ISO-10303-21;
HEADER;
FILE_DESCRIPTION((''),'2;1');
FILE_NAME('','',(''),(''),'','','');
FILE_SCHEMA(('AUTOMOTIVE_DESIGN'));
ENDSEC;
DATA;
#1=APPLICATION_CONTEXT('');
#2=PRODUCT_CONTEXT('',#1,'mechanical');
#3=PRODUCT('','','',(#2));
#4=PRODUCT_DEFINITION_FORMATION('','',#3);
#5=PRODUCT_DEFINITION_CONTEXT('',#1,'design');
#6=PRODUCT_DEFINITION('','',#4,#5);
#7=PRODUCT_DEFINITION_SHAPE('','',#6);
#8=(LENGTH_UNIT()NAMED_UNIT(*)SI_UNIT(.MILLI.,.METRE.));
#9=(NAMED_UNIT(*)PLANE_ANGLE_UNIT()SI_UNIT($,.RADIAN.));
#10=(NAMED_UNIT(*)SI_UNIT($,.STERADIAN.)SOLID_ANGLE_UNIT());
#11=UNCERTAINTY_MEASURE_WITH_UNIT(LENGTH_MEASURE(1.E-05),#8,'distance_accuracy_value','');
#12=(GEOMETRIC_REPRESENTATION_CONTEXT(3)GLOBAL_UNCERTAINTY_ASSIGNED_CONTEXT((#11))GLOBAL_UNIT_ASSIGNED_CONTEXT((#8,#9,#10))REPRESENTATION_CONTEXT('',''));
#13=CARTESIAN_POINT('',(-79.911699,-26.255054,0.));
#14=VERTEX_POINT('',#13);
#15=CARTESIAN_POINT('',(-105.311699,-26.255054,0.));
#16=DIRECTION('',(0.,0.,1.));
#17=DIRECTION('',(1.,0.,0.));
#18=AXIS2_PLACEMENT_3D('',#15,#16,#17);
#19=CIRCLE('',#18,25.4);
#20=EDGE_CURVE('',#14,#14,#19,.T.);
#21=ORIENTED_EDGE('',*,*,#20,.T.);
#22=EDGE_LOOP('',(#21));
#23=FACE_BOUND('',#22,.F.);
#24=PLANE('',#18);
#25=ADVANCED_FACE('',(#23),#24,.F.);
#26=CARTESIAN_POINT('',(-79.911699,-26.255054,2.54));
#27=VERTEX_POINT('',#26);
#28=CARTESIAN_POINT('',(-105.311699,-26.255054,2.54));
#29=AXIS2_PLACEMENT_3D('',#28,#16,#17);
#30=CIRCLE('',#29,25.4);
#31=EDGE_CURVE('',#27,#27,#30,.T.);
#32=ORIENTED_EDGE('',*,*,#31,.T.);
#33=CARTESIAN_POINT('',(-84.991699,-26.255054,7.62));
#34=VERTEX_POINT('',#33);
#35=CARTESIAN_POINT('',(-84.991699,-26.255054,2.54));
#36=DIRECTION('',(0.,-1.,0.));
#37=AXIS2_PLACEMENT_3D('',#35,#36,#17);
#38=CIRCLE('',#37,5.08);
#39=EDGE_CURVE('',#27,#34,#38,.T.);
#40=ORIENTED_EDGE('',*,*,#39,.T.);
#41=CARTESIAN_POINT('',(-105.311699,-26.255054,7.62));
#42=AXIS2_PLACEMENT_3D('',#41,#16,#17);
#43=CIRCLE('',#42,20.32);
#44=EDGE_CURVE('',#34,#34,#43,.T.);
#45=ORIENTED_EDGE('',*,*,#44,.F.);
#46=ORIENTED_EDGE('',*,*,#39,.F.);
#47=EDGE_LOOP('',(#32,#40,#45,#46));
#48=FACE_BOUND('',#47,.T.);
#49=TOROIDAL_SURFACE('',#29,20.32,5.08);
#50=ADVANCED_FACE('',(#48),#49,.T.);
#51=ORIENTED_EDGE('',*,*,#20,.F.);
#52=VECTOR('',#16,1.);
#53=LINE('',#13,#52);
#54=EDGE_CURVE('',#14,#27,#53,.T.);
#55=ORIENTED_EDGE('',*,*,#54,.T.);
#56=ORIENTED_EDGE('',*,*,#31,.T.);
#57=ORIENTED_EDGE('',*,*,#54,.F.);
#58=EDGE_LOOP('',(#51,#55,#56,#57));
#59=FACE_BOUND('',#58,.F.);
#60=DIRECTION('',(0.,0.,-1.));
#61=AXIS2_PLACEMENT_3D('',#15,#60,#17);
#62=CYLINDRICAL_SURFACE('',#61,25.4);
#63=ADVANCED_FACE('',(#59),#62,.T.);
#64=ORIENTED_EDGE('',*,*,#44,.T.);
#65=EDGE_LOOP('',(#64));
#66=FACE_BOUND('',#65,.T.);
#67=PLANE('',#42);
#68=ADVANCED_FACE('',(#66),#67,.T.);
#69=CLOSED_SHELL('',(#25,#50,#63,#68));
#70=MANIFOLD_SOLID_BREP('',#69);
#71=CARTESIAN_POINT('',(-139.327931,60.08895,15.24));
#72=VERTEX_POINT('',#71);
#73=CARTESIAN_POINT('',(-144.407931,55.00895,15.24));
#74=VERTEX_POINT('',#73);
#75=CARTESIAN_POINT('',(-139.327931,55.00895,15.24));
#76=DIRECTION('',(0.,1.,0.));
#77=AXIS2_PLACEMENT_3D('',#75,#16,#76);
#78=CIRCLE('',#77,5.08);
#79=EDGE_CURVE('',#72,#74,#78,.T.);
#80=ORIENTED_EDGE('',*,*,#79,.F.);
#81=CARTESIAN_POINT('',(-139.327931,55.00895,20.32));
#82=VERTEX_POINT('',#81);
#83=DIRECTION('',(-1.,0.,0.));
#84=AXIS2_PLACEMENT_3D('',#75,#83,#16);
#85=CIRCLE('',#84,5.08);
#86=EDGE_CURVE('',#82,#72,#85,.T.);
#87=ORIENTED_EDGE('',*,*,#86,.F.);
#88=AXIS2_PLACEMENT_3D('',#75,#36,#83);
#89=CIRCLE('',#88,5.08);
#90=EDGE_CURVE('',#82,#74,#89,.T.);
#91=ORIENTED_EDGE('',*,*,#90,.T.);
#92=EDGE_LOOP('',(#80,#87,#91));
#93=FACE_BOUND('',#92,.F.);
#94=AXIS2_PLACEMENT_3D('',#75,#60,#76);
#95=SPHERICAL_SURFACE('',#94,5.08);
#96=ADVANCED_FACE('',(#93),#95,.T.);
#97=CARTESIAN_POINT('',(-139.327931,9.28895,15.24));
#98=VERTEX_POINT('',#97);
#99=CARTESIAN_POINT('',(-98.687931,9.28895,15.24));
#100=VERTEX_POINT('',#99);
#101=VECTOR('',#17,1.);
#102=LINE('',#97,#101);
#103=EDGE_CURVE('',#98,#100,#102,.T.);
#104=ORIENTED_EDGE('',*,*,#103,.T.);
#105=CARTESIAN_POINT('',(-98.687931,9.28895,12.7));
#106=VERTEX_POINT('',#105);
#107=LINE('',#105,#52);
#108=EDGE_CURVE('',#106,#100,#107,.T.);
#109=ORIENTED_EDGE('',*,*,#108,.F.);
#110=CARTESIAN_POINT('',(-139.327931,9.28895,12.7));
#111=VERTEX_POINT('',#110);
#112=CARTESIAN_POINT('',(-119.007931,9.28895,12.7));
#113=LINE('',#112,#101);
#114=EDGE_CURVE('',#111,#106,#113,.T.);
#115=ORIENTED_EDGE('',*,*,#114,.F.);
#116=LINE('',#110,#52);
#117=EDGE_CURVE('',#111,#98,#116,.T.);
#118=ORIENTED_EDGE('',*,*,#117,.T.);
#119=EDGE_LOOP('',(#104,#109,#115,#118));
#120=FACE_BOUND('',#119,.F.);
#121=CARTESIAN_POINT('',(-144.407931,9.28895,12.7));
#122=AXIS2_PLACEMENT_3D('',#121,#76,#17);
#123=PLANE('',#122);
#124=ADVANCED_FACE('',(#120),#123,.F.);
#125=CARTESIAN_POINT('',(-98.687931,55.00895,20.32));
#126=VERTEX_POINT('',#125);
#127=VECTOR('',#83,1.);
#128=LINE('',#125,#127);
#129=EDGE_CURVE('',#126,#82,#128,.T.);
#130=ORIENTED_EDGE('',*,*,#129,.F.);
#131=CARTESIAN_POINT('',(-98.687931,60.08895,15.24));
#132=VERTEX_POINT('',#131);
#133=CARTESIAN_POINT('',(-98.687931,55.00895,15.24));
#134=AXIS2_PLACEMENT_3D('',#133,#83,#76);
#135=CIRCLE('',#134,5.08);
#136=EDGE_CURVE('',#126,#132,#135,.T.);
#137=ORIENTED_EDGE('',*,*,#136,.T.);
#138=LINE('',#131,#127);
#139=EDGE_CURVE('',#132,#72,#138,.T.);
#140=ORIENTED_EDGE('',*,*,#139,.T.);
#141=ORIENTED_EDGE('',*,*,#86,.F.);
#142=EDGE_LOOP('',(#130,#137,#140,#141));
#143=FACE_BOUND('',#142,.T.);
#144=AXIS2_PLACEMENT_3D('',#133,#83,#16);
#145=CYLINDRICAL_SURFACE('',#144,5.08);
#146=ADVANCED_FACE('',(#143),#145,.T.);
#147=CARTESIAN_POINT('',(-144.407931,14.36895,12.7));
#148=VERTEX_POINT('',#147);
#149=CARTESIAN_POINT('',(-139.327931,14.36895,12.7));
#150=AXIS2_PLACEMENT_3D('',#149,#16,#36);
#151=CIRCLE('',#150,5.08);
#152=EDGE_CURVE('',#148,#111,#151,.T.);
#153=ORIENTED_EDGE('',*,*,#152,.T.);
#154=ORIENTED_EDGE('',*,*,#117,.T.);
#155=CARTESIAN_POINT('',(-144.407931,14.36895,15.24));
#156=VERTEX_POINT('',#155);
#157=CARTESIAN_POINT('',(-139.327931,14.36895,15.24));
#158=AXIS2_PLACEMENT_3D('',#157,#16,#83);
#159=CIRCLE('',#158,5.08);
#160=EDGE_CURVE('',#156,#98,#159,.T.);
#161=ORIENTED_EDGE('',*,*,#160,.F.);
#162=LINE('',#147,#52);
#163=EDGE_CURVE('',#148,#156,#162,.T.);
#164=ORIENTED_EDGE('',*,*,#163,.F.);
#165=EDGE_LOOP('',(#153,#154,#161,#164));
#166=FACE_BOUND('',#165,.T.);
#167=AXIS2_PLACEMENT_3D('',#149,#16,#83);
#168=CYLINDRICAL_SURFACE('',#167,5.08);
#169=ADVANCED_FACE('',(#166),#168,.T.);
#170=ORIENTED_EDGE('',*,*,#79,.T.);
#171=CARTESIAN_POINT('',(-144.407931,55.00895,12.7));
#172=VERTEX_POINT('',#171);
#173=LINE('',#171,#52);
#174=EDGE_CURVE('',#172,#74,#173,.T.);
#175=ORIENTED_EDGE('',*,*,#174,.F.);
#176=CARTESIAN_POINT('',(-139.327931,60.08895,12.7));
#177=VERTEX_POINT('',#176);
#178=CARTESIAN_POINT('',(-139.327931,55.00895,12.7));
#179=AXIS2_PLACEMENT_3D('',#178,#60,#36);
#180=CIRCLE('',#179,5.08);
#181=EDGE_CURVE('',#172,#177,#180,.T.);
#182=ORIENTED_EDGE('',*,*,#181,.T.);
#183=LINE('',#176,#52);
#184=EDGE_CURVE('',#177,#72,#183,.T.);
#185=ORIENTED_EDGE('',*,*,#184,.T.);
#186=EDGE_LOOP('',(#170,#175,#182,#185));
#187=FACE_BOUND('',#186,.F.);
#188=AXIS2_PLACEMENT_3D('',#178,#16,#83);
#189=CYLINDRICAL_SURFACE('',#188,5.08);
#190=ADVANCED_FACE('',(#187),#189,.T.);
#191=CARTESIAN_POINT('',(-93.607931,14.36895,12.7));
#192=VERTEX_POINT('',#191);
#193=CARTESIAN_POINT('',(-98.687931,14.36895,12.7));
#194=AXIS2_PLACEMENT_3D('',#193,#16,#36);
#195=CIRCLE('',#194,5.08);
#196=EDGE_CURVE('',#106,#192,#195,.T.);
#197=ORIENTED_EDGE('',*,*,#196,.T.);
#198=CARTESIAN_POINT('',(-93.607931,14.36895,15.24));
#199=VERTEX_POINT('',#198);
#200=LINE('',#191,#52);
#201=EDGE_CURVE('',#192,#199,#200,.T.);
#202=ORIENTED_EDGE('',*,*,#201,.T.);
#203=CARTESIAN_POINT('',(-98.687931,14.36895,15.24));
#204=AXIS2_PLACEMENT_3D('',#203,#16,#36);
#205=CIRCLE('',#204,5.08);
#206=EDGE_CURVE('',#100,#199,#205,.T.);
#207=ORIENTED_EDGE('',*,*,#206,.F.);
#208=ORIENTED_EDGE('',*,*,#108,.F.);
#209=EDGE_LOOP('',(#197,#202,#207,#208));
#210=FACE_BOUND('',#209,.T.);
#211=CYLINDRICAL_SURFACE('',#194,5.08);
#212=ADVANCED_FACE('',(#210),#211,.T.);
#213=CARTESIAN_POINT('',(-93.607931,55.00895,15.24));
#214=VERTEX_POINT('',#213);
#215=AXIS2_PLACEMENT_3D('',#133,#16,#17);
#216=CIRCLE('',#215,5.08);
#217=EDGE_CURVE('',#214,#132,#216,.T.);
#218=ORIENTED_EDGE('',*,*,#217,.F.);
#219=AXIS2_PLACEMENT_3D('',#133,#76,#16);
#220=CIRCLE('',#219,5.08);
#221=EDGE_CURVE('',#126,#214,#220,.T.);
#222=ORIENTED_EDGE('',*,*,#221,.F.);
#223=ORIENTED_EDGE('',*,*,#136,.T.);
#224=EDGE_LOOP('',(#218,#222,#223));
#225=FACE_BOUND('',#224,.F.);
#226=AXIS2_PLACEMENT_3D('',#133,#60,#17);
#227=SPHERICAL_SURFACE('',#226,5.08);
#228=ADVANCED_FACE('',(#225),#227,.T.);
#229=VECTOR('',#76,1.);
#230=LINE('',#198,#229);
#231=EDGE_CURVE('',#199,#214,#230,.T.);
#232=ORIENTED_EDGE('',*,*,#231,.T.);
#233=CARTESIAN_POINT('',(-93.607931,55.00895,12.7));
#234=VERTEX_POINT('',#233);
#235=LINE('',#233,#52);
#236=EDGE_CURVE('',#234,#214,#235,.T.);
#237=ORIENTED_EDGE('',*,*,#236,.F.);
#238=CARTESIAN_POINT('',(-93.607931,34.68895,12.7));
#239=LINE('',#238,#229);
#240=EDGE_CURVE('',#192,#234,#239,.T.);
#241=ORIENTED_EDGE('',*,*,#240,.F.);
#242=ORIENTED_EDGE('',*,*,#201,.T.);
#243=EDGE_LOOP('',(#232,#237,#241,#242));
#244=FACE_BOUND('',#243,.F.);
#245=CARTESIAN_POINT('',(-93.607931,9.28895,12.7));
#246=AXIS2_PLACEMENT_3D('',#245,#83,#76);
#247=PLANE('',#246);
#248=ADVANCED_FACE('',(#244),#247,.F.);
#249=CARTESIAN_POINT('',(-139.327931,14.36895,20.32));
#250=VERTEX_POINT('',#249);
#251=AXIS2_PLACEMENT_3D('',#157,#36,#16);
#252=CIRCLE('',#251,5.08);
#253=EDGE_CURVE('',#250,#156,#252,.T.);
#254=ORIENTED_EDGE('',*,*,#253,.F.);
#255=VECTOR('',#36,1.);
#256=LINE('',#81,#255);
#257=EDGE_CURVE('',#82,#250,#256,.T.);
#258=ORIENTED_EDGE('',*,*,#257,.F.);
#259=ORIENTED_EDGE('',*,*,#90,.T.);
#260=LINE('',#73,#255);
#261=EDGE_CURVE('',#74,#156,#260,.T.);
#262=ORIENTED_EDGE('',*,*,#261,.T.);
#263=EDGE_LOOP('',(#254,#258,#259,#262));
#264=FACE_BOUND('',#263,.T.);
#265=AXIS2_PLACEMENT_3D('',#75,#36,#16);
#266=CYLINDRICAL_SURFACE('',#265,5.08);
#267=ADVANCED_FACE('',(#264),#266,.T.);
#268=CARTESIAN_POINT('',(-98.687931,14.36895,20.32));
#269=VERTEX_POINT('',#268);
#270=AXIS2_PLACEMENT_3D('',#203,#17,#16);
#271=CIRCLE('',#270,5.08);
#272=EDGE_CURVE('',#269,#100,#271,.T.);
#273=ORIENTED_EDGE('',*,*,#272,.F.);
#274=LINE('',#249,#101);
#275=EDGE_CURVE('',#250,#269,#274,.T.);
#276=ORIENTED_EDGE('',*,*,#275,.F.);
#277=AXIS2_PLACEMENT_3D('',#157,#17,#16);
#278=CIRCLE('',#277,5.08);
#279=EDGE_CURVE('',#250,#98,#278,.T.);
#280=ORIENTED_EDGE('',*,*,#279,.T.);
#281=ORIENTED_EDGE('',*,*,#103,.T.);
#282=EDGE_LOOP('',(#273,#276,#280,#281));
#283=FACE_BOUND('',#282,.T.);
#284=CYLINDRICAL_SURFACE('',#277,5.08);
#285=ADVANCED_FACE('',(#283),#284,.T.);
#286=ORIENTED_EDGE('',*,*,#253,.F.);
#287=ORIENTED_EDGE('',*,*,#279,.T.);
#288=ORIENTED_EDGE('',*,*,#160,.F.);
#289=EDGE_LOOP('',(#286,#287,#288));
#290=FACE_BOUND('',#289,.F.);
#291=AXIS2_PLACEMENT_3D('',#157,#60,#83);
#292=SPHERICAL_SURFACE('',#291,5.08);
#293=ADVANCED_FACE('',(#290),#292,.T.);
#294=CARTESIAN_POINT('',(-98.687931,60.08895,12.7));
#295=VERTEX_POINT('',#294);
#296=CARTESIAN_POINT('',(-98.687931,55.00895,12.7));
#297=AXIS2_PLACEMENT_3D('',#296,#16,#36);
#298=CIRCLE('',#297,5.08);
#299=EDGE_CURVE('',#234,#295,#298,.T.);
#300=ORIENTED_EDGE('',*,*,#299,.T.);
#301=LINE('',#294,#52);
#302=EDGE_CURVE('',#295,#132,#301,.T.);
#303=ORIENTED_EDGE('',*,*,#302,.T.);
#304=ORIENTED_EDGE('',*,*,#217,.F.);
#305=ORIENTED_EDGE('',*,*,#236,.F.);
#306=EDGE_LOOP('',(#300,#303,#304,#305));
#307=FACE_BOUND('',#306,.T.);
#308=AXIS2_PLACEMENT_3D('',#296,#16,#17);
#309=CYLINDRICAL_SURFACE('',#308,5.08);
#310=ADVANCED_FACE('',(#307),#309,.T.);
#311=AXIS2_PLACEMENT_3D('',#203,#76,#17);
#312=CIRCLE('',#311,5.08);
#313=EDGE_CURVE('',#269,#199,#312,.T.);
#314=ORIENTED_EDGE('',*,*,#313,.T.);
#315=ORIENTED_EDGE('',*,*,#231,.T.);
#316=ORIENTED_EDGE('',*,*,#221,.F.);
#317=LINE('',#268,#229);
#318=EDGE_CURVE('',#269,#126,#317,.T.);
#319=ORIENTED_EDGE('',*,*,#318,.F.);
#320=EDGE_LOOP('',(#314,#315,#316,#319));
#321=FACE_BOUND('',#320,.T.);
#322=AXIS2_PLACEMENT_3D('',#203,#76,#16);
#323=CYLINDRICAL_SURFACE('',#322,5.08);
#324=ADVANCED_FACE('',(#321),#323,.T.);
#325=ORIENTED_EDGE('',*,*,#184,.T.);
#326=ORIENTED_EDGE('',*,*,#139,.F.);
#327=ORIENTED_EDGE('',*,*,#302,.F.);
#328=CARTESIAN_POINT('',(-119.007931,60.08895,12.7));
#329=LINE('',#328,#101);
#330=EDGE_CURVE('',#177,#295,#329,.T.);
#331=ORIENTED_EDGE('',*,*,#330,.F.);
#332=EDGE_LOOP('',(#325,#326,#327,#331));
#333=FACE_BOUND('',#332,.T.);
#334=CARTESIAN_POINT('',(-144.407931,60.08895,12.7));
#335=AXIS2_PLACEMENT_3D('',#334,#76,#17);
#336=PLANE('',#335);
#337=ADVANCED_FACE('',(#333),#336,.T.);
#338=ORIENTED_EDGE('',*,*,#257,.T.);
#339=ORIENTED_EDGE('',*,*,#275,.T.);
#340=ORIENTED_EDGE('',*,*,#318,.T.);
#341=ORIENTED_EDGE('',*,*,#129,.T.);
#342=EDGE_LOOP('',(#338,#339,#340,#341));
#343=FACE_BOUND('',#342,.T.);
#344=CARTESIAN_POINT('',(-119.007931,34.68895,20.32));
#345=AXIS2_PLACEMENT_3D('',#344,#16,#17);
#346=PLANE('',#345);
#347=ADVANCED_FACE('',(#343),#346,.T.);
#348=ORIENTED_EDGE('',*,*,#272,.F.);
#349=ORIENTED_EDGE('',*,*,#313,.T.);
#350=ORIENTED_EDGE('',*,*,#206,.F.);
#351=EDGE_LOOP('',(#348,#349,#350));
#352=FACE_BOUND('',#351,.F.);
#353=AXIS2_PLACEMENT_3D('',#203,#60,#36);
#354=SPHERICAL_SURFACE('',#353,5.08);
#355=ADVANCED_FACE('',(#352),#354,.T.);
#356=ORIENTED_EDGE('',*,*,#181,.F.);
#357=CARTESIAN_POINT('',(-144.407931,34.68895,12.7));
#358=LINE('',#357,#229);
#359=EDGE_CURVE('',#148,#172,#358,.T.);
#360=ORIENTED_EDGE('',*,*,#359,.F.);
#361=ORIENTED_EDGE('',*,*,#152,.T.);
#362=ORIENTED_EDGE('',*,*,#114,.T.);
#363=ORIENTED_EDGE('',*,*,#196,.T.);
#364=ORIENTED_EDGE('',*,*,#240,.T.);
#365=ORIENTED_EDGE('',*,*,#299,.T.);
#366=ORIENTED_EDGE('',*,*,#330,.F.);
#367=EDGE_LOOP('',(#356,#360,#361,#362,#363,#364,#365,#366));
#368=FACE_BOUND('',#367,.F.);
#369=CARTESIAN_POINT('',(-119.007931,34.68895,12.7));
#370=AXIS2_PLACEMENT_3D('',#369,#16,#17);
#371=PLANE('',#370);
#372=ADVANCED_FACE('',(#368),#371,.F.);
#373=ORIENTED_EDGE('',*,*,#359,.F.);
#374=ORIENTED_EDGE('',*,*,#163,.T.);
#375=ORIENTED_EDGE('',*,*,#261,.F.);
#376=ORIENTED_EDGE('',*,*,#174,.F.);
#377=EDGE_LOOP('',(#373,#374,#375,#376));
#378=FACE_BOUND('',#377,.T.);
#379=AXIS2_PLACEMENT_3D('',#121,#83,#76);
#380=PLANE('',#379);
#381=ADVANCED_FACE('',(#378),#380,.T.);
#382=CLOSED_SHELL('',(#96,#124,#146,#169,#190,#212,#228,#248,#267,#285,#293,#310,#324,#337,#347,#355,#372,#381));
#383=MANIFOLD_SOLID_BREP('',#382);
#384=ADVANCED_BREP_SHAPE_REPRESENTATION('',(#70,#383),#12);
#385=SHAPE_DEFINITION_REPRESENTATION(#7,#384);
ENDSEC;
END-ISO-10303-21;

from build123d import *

# Parameters (mm, degrees)
F1_R     = 25.4
F2_DEPTH = 7.62
F3_R     = 5.08
F4_W     = 50.8
F4_H     = 50.8
F5_DEPTH = 7.62
F6_R     = 5.08
F7_R     = 5.08


with BuildPart() as f2:
    # F1 (on Top) → F2 (new body)
    with BuildSketch(Plane.XY):
        with Locations((-105.311699, -26.255054)):
            Circle(F1_R)
    extrude(amount=F2_DEPTH)

    # F3
    f3_edges = [f2.edges().sort_by_distance(p)[0] for p in [
        (-130.711699, -26.255054, 7.62),
    ]]
    fillet(f3_edges, radius=F3_R)


with BuildPart() as f5:
    # F4 (on offset) → F5 (new body)
    with BuildSketch(Plane.XY.offset(12.7)):
        with Locations((-119.007931, 34.68895)):
            Rectangle(F4_W, F4_H)
    extrude(amount=F5_DEPTH)

    # F6
    f6_edges = [f5.edges().sort_by_distance(p)[0] for p in [
        (-93.607931, 60.08895, 16.51),
        (-93.607931, 9.28895, 16.51),
        (-144.407931, 60.08895, 16.51),
        (-144.407931, 9.28895, 16.51),
    ]]
    fillet(f6_edges, radius=F6_R)

    # F7
    f7_edges = [f5.edges().sort_by_distance(p)[0] for p in [
        (-119.007931, 9.28895, 20.32),
        (-142.920034, 10.776847, 20.32),
        (-95.095829, 10.776847, 20.32),
        (-144.407931, 34.68895, 20.32),
        (-93.607931, 34.68895, 20.32),
        (-142.920034, 58.601052, 20.32),
        (-95.095829, 58.601052, 20.32),
        (-119.007931, 60.08895, 20.32),
    ]]
    fillet(f7_edges, radius=F7_R)


solid = Compound([f2.part, f5.part])
